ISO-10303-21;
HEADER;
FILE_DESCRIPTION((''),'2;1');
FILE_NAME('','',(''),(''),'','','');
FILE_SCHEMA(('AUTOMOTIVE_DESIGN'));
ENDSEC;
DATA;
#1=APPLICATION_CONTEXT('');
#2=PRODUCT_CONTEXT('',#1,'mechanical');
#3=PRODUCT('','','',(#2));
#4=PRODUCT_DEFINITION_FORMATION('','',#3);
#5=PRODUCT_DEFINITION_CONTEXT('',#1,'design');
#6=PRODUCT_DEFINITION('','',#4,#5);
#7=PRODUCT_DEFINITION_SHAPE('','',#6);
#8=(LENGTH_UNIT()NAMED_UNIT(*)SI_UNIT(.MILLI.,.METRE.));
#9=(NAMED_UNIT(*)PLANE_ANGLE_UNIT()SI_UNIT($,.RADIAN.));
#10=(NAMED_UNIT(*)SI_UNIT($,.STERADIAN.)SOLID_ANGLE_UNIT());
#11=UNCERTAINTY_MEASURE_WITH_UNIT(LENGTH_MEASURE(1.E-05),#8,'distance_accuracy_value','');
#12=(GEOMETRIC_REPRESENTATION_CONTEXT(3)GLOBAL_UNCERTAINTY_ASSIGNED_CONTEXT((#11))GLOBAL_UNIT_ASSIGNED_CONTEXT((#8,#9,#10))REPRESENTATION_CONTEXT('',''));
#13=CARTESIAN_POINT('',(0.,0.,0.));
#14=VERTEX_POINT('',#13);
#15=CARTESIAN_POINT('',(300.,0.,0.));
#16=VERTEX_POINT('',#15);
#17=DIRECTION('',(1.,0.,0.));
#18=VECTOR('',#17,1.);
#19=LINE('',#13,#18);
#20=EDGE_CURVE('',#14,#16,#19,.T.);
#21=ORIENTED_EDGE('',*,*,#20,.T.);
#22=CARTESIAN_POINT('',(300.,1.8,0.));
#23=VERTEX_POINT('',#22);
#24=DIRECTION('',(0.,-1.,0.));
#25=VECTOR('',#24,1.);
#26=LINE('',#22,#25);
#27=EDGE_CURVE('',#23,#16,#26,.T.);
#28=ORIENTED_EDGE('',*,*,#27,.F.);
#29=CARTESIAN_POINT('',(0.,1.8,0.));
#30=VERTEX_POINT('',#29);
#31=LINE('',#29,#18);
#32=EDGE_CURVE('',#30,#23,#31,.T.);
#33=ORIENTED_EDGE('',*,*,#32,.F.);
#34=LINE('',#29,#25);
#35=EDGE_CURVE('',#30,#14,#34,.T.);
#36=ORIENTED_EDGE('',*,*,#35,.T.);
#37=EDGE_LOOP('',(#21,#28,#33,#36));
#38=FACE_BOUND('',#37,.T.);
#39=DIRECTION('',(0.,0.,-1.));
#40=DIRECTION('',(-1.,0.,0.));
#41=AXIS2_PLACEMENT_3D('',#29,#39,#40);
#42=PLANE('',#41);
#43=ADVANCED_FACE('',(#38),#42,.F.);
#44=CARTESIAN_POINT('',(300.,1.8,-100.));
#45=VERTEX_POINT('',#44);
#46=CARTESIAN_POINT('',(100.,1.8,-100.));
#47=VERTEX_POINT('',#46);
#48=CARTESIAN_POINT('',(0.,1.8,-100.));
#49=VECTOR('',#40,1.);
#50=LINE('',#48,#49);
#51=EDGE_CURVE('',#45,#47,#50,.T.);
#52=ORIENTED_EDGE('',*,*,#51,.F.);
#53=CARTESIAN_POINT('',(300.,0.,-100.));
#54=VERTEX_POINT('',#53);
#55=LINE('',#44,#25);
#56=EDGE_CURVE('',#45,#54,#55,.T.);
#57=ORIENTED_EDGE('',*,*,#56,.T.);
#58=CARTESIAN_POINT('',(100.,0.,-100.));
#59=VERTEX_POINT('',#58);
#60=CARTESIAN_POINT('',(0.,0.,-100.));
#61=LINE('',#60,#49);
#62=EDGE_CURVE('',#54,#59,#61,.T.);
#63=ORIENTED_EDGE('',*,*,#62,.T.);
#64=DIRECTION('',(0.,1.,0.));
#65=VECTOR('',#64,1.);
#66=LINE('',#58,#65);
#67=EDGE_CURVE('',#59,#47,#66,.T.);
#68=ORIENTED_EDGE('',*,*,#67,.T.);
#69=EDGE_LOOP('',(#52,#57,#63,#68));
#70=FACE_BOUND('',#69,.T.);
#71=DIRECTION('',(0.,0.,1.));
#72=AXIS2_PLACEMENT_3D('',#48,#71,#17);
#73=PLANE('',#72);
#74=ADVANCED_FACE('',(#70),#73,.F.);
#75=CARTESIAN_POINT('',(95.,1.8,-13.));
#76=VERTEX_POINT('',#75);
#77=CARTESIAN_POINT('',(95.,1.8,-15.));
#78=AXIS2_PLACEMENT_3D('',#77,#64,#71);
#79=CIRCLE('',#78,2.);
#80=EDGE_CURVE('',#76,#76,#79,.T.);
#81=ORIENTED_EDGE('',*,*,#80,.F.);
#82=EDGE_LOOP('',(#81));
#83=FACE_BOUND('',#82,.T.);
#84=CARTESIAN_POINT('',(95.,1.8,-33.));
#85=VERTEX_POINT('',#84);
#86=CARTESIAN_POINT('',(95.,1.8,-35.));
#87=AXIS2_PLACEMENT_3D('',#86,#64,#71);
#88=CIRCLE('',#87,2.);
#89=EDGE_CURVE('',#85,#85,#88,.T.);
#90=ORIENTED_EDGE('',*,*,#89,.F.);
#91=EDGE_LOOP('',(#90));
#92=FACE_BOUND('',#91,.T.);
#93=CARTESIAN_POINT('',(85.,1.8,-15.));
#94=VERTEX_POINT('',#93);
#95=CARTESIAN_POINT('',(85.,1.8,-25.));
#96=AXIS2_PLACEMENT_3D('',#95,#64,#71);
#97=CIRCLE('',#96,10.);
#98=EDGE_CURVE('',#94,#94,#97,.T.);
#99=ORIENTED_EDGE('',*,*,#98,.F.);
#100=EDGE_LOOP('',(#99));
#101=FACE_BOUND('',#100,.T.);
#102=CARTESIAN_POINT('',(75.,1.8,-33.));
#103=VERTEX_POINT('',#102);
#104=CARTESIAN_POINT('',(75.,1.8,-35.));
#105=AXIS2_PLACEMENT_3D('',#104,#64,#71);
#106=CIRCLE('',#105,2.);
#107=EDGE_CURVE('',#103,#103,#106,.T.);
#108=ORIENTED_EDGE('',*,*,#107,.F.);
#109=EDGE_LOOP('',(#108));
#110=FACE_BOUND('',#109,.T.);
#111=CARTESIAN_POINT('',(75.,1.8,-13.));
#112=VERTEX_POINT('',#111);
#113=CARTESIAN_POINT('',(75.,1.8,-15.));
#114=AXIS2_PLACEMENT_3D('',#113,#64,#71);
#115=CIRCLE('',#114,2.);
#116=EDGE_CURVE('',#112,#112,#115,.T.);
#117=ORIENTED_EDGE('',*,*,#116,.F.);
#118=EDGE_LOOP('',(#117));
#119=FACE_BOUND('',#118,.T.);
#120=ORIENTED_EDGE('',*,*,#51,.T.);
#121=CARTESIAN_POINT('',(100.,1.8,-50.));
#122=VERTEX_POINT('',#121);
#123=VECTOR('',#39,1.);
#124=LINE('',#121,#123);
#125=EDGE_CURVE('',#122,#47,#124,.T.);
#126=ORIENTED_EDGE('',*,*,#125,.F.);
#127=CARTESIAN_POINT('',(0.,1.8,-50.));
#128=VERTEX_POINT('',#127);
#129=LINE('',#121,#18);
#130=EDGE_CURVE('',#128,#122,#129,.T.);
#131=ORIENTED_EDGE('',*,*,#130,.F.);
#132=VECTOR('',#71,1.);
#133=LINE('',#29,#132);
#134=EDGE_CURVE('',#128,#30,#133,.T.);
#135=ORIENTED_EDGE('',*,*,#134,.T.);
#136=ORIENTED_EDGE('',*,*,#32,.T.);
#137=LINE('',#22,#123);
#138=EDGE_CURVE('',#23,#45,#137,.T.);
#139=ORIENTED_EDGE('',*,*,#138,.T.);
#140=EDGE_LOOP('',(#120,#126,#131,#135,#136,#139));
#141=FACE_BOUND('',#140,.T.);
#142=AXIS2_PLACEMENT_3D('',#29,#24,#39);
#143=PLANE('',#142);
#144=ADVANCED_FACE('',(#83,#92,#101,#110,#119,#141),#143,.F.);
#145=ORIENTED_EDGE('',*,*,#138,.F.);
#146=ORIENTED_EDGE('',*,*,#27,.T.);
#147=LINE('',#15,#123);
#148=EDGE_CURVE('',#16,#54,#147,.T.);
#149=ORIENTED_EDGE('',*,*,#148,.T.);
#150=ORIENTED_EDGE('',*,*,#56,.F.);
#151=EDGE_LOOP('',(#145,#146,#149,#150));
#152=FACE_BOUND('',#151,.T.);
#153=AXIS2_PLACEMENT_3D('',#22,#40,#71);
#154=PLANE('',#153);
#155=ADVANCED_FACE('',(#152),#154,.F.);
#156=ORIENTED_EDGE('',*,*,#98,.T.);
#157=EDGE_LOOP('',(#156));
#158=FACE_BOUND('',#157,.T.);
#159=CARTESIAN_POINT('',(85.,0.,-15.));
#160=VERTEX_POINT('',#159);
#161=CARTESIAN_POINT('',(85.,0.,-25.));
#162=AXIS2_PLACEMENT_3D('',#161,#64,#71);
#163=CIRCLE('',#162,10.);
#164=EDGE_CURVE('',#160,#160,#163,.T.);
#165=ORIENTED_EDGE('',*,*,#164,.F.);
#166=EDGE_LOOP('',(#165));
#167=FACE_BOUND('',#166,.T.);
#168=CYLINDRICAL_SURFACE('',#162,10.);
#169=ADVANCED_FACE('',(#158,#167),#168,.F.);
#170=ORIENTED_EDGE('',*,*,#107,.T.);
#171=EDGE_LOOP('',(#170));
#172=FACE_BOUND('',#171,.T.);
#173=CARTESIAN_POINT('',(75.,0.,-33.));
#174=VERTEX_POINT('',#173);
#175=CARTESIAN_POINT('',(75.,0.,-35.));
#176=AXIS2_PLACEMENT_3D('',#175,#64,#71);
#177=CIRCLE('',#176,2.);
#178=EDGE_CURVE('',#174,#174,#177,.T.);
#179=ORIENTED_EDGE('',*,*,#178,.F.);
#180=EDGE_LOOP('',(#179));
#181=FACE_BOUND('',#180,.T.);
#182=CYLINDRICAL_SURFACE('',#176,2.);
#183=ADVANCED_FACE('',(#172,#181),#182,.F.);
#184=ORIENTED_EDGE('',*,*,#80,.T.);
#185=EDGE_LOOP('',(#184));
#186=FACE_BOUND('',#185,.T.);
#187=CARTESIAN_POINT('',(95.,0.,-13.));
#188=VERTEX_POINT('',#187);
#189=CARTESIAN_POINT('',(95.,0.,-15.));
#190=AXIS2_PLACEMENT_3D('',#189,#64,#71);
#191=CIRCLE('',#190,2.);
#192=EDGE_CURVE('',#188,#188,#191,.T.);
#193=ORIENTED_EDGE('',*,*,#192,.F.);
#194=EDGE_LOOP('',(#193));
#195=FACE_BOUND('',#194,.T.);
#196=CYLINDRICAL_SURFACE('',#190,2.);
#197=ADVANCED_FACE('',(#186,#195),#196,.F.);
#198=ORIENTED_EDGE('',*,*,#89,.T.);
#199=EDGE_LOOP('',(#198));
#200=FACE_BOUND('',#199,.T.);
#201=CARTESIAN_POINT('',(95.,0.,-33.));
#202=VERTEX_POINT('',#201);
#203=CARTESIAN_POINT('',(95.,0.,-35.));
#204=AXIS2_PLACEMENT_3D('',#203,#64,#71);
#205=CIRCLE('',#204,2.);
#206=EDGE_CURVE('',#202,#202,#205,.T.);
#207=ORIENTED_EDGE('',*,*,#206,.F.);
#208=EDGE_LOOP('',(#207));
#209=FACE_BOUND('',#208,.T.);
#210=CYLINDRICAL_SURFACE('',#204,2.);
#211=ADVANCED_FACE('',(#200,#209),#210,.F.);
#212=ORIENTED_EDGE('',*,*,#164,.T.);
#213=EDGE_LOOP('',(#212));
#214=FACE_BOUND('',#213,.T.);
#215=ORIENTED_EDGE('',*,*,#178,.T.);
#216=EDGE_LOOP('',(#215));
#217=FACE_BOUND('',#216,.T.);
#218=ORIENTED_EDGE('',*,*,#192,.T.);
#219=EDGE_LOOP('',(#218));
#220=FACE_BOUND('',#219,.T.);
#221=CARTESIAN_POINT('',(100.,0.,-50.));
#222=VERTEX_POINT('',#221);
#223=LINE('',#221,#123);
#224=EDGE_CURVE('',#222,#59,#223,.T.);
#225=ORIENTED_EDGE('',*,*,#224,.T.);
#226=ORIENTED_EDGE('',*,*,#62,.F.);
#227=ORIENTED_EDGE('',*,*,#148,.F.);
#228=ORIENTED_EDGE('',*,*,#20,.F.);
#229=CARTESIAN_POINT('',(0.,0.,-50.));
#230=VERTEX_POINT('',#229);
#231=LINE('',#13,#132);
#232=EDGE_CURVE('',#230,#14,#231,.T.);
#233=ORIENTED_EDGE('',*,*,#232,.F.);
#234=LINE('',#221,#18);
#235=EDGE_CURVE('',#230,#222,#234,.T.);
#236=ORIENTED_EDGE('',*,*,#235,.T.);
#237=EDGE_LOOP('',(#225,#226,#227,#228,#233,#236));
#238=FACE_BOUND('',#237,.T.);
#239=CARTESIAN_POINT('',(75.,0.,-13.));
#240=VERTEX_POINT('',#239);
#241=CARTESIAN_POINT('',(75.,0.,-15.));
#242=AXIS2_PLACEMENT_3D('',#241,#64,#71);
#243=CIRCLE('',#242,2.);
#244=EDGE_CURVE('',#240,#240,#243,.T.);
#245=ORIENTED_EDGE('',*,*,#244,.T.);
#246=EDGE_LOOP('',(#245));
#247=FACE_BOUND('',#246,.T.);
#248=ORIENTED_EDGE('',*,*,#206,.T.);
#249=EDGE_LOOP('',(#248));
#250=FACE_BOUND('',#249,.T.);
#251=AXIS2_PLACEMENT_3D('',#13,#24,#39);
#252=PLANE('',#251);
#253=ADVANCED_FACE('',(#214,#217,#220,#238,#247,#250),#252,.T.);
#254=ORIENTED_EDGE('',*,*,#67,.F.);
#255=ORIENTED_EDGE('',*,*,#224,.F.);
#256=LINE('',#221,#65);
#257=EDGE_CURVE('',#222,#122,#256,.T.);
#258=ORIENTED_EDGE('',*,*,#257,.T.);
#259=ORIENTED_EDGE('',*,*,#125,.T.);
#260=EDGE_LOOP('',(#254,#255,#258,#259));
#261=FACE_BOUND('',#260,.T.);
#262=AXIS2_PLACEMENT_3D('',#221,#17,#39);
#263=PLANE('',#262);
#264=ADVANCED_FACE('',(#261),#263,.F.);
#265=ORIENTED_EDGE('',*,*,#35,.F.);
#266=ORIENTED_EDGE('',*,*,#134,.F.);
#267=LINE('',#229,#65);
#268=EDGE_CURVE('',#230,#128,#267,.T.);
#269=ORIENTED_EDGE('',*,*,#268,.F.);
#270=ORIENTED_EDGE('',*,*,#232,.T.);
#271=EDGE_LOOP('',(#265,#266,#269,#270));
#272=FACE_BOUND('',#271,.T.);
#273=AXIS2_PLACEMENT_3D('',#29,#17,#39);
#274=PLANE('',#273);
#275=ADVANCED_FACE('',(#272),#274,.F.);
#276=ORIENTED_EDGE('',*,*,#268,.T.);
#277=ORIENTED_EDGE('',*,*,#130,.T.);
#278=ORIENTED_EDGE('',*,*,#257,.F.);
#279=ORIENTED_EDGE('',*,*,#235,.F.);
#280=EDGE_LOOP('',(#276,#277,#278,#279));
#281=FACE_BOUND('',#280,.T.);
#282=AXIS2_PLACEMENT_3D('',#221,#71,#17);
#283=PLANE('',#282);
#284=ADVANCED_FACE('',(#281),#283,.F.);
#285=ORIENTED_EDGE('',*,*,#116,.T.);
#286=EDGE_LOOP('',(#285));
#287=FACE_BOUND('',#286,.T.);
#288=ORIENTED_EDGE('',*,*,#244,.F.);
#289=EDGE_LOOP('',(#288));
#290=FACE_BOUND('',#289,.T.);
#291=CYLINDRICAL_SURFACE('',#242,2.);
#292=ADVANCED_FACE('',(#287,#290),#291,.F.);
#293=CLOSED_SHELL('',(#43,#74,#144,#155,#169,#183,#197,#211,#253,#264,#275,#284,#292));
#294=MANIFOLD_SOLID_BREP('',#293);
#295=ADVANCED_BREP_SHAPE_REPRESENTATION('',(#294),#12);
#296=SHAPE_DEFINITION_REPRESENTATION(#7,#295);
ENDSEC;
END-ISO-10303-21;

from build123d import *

# Parameters (mm, degrees)
SKETCH_1_W          = 300
SKETCH_1_H          = 100
EXTRUDE_1_DEPTH     = 1.8
SKETCH_2_W          = 100
SKETCH_2_H          = 50
CUT_EXTRUDE_1_DEPTH = 2.8
SKETCH_3_R          = 2
SKETCH_3_R_2        = 10
CUT_EXTRUDE_2_DEPTH = 2.8


with BuildPart() as part:
    # 草图1 → 凸台-拉伸1 (new body)
    with BuildSketch(Plane(origin=(0, 0, 0), x_dir=(1, 0, 0), z_dir=(0, 1, 0))):
        with Locations((150, 50)):
            Rectangle(SKETCH_1_W, SKETCH_1_H)
    extrude(amount=EXTRUDE_1_DEPTH)

    # 草图2 → 切除-拉伸1 (cut, through all)
    with BuildSketch(Plane(origin=(0, 1.8, 0), x_dir=(1, 0, 0), z_dir=(0, 1, 0))):
        with Locations((50, 75)):
            Rectangle(SKETCH_2_W, SKETCH_2_H)
    extrude(amount=-CUT_EXTRUDE_1_DEPTH, mode=Mode.SUBTRACT)

    # 草图3 → 切除-拉伸2 (cut, through all)
    with BuildSketch(Plane(origin=(0, 1.8, 0), x_dir=(1, 0, 0), z_dir=(0, 1, 0))):
        with Locations((95, 35)):
            Circle(SKETCH_3_R)
        with Locations((75, 35)):
            Circle(SKETCH_3_R)
        with Locations((75, 15)):
            Circle(SKETCH_3_R)
        with Locations((95, 15)):
            Circle(SKETCH_3_R)
        with Locations((85, 25)):
            Circle(SKETCH_3_R_2)
    extrude(amount=-CUT_EXTRUDE_2_DEPTH, mode=Mode.SUBTRACT)


solid = part.part
